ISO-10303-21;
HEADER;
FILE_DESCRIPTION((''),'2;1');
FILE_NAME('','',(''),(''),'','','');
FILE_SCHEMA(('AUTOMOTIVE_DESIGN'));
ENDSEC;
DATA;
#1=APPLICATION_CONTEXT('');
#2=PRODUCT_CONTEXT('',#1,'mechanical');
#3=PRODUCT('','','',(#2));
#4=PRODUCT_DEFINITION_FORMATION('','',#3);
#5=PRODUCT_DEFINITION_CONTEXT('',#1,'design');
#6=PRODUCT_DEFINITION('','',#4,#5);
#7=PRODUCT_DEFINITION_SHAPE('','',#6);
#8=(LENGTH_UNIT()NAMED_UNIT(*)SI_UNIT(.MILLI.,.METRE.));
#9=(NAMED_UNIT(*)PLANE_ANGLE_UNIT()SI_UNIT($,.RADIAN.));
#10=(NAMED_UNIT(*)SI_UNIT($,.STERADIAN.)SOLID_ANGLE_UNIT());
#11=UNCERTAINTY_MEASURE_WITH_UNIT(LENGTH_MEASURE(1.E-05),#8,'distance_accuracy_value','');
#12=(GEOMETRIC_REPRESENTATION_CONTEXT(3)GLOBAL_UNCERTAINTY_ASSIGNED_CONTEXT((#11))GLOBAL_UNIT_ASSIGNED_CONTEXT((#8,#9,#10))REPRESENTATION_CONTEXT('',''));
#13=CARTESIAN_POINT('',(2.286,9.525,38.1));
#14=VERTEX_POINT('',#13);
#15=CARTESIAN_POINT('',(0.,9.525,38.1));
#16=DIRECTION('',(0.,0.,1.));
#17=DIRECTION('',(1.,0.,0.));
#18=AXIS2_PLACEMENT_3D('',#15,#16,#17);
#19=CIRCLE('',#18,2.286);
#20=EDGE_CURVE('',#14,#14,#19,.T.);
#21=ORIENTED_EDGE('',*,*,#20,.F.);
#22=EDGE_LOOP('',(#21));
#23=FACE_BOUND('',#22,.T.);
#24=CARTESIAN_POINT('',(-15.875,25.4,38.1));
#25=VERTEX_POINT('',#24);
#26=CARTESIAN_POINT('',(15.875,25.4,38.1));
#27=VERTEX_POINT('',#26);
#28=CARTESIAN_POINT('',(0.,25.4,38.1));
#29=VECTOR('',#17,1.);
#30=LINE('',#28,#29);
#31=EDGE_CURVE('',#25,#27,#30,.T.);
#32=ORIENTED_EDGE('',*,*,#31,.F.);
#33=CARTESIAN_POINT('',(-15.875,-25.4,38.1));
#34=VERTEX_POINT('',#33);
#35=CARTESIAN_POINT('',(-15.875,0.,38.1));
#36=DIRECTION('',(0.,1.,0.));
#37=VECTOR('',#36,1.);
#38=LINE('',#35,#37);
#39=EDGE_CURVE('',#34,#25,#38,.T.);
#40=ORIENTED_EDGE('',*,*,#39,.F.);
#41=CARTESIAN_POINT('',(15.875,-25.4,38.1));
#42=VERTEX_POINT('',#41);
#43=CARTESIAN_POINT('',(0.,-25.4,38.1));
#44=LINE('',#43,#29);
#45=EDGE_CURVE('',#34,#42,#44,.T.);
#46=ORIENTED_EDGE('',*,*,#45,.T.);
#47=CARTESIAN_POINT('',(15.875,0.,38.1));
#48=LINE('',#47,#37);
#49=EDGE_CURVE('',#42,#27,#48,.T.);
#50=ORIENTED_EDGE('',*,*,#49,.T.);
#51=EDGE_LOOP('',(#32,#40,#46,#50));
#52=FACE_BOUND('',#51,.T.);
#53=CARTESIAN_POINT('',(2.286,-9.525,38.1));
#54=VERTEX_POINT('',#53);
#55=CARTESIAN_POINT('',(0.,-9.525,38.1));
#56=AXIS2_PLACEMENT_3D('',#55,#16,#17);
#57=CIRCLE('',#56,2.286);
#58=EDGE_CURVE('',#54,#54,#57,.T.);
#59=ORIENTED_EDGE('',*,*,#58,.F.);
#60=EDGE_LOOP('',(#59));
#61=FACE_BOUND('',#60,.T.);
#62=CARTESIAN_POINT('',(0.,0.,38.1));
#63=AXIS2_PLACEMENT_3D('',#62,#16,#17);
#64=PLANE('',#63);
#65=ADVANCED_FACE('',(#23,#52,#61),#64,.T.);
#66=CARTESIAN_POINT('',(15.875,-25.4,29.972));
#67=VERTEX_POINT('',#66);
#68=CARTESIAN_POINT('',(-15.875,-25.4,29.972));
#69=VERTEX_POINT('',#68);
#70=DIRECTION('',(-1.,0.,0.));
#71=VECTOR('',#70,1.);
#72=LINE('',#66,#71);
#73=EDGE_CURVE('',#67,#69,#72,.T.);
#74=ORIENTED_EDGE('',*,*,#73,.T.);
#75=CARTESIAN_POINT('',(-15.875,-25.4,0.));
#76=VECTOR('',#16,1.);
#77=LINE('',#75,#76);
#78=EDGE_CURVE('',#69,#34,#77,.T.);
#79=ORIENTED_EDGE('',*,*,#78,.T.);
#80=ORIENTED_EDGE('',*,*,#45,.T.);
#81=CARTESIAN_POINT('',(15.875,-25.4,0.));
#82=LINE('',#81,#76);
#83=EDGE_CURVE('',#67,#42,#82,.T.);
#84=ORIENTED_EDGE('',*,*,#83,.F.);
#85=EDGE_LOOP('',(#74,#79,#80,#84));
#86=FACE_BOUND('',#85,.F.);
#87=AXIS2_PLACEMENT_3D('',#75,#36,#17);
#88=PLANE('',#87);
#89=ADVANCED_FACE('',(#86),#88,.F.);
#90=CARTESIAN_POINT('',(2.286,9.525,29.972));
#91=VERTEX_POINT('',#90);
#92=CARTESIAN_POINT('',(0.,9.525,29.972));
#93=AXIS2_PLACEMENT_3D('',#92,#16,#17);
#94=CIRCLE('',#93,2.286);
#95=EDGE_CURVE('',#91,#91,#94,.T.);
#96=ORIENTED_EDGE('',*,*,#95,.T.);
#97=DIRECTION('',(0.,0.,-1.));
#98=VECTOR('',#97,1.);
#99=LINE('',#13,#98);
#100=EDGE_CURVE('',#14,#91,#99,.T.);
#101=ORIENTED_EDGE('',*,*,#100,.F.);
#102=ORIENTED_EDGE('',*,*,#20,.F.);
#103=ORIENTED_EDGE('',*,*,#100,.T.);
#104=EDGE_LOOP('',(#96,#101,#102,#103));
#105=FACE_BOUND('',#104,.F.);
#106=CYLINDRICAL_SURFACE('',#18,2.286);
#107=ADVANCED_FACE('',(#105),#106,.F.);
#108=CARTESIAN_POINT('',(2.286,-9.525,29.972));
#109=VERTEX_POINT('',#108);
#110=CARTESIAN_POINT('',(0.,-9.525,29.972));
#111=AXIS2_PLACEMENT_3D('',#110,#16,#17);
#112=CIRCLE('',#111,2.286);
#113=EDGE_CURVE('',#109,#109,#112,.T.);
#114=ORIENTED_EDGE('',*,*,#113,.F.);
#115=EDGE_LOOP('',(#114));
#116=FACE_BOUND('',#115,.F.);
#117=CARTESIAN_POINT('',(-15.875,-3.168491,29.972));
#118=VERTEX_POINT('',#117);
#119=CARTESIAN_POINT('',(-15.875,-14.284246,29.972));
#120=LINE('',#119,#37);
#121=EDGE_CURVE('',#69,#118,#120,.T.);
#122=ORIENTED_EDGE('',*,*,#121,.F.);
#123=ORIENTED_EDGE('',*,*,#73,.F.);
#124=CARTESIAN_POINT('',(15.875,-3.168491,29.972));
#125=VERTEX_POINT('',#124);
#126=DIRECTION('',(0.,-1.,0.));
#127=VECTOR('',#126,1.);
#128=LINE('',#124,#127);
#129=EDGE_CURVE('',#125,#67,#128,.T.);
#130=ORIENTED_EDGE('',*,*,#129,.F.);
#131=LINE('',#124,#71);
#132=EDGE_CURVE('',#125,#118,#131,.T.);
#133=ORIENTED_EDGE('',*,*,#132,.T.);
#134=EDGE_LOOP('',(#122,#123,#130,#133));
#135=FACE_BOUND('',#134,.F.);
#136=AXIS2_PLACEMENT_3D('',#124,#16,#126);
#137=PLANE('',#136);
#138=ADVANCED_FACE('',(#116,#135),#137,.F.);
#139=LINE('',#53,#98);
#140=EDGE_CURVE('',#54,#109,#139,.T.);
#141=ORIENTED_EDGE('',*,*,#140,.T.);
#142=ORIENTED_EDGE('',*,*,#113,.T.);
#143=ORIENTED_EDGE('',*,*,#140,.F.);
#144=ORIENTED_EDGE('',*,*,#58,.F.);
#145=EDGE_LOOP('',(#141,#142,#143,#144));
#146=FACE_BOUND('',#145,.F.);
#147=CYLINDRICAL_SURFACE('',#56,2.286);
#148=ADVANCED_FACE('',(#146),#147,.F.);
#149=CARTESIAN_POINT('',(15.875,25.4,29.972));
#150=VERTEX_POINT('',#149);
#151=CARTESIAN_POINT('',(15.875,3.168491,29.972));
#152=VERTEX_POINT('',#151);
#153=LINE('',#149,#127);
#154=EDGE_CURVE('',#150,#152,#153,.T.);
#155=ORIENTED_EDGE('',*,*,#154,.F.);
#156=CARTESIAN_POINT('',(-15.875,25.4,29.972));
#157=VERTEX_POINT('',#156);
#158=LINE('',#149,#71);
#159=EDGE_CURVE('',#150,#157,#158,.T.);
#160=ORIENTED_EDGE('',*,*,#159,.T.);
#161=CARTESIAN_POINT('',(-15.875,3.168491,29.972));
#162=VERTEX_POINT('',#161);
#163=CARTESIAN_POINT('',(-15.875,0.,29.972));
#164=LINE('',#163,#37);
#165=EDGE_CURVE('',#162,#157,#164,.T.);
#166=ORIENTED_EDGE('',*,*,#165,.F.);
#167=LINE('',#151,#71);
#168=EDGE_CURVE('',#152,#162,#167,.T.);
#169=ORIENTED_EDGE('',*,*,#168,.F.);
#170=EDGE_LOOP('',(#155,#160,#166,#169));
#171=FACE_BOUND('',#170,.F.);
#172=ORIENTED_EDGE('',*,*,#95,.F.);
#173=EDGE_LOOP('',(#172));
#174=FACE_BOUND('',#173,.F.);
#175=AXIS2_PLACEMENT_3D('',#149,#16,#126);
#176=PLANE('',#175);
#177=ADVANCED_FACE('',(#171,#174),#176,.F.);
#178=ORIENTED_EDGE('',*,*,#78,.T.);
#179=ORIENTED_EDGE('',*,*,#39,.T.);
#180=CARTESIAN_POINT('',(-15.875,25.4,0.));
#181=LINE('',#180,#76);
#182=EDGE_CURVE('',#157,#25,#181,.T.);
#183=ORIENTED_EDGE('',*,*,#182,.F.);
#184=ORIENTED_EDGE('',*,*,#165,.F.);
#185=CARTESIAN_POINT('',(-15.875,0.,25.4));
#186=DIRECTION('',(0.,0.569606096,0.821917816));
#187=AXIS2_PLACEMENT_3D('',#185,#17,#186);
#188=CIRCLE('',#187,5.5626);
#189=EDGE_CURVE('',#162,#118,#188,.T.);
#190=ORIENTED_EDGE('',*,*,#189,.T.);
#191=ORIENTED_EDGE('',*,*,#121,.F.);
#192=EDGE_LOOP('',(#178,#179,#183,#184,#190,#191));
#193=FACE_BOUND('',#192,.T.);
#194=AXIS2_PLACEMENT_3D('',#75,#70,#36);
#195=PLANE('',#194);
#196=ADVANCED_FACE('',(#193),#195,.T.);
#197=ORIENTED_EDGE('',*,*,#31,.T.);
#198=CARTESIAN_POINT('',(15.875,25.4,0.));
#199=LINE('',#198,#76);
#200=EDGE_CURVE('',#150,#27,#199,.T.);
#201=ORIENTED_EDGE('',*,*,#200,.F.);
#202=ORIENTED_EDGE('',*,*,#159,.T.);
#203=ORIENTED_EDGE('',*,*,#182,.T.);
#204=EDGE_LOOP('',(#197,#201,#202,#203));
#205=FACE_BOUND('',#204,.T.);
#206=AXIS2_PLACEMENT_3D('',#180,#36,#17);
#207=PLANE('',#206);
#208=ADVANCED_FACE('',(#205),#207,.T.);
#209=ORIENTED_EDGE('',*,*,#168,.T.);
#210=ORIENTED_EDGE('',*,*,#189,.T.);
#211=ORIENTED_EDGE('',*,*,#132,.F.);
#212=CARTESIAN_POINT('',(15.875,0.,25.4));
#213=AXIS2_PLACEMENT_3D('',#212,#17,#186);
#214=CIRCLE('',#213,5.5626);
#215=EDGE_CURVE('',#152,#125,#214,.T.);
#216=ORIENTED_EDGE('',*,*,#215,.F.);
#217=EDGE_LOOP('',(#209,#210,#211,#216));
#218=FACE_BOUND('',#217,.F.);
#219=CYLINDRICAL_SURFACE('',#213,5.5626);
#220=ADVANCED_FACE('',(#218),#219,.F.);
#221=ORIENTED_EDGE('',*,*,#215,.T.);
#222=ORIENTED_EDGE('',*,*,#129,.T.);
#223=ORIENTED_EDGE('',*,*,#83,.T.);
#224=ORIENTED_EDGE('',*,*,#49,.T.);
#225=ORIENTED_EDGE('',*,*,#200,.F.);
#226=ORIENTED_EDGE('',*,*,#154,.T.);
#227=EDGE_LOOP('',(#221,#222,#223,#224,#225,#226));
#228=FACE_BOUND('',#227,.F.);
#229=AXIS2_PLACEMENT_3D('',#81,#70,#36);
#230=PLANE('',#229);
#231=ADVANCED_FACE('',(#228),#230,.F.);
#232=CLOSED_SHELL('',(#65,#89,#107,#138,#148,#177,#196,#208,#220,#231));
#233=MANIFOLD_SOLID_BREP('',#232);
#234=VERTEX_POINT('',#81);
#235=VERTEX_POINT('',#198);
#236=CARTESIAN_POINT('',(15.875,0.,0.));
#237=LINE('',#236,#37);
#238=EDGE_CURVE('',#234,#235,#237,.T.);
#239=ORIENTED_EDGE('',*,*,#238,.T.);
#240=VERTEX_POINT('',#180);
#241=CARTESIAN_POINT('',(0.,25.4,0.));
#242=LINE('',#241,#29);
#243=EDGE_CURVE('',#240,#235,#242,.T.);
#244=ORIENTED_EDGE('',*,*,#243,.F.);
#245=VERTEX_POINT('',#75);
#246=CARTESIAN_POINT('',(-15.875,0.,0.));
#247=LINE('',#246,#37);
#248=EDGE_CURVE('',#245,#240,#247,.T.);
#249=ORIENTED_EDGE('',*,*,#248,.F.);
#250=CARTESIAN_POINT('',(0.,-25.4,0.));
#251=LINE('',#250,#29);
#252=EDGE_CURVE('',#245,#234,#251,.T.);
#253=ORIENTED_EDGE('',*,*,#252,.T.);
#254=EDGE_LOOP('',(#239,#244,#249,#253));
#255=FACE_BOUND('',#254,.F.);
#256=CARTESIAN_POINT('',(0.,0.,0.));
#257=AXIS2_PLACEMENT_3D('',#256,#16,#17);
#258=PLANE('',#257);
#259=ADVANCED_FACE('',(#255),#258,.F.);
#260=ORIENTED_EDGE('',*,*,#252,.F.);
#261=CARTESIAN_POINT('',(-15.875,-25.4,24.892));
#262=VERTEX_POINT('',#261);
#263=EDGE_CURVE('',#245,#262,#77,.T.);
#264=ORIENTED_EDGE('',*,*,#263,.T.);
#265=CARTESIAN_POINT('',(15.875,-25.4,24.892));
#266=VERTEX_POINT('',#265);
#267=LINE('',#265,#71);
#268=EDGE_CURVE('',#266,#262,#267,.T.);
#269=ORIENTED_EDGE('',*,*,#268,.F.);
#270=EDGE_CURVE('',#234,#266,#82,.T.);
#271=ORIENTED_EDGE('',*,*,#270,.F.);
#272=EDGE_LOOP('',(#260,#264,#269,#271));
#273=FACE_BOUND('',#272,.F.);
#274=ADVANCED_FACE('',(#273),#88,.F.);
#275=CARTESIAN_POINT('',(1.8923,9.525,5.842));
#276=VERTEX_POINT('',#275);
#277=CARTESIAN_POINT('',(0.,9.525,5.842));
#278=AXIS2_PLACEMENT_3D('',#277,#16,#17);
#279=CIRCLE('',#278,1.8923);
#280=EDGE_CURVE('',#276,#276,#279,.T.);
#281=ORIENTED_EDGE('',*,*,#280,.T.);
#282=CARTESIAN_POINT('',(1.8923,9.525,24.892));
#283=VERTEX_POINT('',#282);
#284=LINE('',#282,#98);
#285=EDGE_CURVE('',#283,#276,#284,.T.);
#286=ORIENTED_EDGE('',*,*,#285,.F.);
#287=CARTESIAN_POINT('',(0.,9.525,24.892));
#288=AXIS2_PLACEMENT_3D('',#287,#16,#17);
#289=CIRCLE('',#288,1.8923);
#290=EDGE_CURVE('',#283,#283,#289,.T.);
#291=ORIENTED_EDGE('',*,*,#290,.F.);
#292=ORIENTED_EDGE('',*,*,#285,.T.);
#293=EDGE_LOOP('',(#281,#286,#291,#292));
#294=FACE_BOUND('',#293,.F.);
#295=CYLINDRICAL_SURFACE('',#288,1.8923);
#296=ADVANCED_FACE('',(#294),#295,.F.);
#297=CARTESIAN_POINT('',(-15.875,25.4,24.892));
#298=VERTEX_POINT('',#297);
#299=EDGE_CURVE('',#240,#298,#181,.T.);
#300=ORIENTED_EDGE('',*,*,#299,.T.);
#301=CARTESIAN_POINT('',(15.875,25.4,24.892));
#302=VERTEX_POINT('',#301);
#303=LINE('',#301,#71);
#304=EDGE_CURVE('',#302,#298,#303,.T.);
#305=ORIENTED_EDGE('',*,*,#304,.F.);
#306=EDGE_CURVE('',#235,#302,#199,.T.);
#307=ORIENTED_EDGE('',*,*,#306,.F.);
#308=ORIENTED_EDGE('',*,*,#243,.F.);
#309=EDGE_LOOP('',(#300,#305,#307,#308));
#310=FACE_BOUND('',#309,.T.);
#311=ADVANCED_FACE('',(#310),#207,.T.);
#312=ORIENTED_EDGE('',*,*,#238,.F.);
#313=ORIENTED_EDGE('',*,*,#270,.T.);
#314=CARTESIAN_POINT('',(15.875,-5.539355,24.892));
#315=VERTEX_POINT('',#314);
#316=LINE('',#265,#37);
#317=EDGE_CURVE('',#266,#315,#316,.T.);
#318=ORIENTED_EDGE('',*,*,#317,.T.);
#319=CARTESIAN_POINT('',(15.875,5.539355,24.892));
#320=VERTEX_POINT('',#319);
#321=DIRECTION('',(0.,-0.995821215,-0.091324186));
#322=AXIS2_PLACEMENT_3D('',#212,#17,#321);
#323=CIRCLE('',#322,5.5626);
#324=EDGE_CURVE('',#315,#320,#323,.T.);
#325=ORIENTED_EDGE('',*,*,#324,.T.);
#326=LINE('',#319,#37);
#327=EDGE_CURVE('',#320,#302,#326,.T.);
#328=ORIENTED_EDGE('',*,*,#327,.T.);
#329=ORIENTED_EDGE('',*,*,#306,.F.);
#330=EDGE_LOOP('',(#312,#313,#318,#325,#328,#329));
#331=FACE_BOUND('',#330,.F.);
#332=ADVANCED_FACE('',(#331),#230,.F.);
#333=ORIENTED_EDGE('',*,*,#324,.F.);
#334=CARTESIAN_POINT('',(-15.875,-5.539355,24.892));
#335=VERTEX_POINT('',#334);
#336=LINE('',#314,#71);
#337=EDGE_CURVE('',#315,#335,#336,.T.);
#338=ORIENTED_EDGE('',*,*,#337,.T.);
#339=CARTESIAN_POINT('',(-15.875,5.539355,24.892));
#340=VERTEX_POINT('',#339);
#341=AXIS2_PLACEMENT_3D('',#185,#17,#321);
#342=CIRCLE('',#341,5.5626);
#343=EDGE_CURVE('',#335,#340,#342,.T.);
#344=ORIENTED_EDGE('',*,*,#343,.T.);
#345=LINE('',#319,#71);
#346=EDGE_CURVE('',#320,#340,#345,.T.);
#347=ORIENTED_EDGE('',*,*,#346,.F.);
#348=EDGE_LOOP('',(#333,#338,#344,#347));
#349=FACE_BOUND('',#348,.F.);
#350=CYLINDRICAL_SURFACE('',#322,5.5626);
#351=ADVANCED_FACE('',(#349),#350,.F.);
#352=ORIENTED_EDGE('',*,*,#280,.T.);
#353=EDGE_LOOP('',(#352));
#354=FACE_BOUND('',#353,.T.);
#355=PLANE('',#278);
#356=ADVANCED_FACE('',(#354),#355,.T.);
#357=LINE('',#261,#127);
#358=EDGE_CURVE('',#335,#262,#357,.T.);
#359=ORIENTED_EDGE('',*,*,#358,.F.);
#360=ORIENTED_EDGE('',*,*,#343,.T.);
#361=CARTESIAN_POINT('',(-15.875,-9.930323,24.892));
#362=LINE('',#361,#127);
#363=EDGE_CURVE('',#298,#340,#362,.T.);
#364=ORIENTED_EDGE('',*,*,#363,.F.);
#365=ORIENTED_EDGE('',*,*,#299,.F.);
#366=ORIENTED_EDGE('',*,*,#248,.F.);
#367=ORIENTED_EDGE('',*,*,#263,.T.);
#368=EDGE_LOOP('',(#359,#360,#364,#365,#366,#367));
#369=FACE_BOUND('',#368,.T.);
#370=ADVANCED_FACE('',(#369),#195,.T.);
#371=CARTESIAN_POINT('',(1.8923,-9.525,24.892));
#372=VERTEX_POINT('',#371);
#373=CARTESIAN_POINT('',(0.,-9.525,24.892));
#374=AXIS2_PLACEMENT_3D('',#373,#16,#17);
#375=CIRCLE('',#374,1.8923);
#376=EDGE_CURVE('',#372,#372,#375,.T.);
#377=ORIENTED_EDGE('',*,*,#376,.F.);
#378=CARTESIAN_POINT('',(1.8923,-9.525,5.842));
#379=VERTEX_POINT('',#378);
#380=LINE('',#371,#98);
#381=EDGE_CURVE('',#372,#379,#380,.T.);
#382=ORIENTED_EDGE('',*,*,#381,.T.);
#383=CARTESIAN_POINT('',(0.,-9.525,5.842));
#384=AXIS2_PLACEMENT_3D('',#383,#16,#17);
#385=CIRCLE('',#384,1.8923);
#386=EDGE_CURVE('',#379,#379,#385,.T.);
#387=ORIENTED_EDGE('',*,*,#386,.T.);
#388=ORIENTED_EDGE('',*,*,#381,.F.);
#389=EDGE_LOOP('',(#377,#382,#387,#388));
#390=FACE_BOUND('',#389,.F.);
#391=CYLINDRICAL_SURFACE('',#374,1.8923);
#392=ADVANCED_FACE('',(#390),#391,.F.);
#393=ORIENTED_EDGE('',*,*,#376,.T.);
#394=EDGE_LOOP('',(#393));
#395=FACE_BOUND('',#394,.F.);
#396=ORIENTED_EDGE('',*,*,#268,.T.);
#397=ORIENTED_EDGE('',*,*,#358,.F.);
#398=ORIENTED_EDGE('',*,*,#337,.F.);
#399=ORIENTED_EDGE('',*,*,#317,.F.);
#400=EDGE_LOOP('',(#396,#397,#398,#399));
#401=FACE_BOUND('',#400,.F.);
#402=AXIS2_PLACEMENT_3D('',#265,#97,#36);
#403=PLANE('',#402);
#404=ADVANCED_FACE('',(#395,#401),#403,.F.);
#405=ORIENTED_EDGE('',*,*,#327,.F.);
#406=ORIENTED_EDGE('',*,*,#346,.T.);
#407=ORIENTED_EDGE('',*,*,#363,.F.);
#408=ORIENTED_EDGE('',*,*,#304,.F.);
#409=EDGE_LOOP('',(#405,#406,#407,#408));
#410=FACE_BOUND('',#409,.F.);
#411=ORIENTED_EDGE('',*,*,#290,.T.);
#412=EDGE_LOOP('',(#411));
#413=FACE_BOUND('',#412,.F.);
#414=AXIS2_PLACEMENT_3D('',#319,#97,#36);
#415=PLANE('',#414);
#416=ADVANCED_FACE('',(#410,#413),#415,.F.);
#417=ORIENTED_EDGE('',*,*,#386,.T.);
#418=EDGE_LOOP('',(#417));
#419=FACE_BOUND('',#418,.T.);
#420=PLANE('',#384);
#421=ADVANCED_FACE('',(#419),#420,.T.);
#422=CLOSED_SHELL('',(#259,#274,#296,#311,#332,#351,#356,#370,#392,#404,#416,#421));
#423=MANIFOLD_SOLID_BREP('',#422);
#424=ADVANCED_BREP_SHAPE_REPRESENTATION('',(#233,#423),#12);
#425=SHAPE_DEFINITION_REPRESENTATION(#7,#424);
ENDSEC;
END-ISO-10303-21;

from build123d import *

# Parameters (mm, degrees)
F0_W     = 31.75
F0_H     = 50.8
F1_DEPTH = 38.1
F3_DEPTH = 31.751
F4_R     = 2.286
F5_DEPTH = 8.128
F6_R     = 1.8923
F7_DEPTH = 19.05


with BuildPart() as f1:
    # F0 (on Top) → F1 (new body)
    with BuildSketch(Plane.XY):
        Rectangle(F0_W, F0_H)
    extrude(amount=F1_DEPTH)

    # F2 (on face) → F3 (cut, through all)
    with BuildSketch(Plane.YZ.offset(15.875)):
        with BuildLine():
            Line((-25.4, 24.892), (-5.539355, 24.892))
            ThreePointArc((-5.539355, 24.892), (0, 19.8374), (5.539355, 24.892))
            Line((5.539355, 24.892), (25.4, 24.892))
            Line((25.4, 24.892), (25.4, 29.972))
            Line((25.4, 29.972), (3.168491, 29.972))
            ThreePointArc((3.168491, 29.972), (0, 30.9626), (-3.168491, 29.972))
            Line((-3.168491, 29.972), (-25.4, 29.972))
            Line((-25.4, 29.972), (-25.4, 24.892))
        make_face()
    extrude(amount=-F3_DEPTH, mode=Mode.SUBTRACT)

    # F4 (on face) → F5 (cut, through all)
    with BuildSketch(Plane.XY.offset(38.1)):
        with Locations((0, 9.525)):
            Circle(F4_R)
        with Locations((0, -9.525)):
            Circle(F4_R)
    extrude(amount=-F5_DEPTH, mode=Mode.SUBTRACT)

    # F6 (on face) → F7 (cut)
    with BuildSketch(Plane.XY.offset(24.892)):
        with Locations((0, 9.525)):
            Circle(F6_R)
        with Locations((0, -9.525)):
            Circle(F6_R)
    extrude(amount=-F7_DEPTH, mode=Mode.SUBTRACT)


solid = f1.part
